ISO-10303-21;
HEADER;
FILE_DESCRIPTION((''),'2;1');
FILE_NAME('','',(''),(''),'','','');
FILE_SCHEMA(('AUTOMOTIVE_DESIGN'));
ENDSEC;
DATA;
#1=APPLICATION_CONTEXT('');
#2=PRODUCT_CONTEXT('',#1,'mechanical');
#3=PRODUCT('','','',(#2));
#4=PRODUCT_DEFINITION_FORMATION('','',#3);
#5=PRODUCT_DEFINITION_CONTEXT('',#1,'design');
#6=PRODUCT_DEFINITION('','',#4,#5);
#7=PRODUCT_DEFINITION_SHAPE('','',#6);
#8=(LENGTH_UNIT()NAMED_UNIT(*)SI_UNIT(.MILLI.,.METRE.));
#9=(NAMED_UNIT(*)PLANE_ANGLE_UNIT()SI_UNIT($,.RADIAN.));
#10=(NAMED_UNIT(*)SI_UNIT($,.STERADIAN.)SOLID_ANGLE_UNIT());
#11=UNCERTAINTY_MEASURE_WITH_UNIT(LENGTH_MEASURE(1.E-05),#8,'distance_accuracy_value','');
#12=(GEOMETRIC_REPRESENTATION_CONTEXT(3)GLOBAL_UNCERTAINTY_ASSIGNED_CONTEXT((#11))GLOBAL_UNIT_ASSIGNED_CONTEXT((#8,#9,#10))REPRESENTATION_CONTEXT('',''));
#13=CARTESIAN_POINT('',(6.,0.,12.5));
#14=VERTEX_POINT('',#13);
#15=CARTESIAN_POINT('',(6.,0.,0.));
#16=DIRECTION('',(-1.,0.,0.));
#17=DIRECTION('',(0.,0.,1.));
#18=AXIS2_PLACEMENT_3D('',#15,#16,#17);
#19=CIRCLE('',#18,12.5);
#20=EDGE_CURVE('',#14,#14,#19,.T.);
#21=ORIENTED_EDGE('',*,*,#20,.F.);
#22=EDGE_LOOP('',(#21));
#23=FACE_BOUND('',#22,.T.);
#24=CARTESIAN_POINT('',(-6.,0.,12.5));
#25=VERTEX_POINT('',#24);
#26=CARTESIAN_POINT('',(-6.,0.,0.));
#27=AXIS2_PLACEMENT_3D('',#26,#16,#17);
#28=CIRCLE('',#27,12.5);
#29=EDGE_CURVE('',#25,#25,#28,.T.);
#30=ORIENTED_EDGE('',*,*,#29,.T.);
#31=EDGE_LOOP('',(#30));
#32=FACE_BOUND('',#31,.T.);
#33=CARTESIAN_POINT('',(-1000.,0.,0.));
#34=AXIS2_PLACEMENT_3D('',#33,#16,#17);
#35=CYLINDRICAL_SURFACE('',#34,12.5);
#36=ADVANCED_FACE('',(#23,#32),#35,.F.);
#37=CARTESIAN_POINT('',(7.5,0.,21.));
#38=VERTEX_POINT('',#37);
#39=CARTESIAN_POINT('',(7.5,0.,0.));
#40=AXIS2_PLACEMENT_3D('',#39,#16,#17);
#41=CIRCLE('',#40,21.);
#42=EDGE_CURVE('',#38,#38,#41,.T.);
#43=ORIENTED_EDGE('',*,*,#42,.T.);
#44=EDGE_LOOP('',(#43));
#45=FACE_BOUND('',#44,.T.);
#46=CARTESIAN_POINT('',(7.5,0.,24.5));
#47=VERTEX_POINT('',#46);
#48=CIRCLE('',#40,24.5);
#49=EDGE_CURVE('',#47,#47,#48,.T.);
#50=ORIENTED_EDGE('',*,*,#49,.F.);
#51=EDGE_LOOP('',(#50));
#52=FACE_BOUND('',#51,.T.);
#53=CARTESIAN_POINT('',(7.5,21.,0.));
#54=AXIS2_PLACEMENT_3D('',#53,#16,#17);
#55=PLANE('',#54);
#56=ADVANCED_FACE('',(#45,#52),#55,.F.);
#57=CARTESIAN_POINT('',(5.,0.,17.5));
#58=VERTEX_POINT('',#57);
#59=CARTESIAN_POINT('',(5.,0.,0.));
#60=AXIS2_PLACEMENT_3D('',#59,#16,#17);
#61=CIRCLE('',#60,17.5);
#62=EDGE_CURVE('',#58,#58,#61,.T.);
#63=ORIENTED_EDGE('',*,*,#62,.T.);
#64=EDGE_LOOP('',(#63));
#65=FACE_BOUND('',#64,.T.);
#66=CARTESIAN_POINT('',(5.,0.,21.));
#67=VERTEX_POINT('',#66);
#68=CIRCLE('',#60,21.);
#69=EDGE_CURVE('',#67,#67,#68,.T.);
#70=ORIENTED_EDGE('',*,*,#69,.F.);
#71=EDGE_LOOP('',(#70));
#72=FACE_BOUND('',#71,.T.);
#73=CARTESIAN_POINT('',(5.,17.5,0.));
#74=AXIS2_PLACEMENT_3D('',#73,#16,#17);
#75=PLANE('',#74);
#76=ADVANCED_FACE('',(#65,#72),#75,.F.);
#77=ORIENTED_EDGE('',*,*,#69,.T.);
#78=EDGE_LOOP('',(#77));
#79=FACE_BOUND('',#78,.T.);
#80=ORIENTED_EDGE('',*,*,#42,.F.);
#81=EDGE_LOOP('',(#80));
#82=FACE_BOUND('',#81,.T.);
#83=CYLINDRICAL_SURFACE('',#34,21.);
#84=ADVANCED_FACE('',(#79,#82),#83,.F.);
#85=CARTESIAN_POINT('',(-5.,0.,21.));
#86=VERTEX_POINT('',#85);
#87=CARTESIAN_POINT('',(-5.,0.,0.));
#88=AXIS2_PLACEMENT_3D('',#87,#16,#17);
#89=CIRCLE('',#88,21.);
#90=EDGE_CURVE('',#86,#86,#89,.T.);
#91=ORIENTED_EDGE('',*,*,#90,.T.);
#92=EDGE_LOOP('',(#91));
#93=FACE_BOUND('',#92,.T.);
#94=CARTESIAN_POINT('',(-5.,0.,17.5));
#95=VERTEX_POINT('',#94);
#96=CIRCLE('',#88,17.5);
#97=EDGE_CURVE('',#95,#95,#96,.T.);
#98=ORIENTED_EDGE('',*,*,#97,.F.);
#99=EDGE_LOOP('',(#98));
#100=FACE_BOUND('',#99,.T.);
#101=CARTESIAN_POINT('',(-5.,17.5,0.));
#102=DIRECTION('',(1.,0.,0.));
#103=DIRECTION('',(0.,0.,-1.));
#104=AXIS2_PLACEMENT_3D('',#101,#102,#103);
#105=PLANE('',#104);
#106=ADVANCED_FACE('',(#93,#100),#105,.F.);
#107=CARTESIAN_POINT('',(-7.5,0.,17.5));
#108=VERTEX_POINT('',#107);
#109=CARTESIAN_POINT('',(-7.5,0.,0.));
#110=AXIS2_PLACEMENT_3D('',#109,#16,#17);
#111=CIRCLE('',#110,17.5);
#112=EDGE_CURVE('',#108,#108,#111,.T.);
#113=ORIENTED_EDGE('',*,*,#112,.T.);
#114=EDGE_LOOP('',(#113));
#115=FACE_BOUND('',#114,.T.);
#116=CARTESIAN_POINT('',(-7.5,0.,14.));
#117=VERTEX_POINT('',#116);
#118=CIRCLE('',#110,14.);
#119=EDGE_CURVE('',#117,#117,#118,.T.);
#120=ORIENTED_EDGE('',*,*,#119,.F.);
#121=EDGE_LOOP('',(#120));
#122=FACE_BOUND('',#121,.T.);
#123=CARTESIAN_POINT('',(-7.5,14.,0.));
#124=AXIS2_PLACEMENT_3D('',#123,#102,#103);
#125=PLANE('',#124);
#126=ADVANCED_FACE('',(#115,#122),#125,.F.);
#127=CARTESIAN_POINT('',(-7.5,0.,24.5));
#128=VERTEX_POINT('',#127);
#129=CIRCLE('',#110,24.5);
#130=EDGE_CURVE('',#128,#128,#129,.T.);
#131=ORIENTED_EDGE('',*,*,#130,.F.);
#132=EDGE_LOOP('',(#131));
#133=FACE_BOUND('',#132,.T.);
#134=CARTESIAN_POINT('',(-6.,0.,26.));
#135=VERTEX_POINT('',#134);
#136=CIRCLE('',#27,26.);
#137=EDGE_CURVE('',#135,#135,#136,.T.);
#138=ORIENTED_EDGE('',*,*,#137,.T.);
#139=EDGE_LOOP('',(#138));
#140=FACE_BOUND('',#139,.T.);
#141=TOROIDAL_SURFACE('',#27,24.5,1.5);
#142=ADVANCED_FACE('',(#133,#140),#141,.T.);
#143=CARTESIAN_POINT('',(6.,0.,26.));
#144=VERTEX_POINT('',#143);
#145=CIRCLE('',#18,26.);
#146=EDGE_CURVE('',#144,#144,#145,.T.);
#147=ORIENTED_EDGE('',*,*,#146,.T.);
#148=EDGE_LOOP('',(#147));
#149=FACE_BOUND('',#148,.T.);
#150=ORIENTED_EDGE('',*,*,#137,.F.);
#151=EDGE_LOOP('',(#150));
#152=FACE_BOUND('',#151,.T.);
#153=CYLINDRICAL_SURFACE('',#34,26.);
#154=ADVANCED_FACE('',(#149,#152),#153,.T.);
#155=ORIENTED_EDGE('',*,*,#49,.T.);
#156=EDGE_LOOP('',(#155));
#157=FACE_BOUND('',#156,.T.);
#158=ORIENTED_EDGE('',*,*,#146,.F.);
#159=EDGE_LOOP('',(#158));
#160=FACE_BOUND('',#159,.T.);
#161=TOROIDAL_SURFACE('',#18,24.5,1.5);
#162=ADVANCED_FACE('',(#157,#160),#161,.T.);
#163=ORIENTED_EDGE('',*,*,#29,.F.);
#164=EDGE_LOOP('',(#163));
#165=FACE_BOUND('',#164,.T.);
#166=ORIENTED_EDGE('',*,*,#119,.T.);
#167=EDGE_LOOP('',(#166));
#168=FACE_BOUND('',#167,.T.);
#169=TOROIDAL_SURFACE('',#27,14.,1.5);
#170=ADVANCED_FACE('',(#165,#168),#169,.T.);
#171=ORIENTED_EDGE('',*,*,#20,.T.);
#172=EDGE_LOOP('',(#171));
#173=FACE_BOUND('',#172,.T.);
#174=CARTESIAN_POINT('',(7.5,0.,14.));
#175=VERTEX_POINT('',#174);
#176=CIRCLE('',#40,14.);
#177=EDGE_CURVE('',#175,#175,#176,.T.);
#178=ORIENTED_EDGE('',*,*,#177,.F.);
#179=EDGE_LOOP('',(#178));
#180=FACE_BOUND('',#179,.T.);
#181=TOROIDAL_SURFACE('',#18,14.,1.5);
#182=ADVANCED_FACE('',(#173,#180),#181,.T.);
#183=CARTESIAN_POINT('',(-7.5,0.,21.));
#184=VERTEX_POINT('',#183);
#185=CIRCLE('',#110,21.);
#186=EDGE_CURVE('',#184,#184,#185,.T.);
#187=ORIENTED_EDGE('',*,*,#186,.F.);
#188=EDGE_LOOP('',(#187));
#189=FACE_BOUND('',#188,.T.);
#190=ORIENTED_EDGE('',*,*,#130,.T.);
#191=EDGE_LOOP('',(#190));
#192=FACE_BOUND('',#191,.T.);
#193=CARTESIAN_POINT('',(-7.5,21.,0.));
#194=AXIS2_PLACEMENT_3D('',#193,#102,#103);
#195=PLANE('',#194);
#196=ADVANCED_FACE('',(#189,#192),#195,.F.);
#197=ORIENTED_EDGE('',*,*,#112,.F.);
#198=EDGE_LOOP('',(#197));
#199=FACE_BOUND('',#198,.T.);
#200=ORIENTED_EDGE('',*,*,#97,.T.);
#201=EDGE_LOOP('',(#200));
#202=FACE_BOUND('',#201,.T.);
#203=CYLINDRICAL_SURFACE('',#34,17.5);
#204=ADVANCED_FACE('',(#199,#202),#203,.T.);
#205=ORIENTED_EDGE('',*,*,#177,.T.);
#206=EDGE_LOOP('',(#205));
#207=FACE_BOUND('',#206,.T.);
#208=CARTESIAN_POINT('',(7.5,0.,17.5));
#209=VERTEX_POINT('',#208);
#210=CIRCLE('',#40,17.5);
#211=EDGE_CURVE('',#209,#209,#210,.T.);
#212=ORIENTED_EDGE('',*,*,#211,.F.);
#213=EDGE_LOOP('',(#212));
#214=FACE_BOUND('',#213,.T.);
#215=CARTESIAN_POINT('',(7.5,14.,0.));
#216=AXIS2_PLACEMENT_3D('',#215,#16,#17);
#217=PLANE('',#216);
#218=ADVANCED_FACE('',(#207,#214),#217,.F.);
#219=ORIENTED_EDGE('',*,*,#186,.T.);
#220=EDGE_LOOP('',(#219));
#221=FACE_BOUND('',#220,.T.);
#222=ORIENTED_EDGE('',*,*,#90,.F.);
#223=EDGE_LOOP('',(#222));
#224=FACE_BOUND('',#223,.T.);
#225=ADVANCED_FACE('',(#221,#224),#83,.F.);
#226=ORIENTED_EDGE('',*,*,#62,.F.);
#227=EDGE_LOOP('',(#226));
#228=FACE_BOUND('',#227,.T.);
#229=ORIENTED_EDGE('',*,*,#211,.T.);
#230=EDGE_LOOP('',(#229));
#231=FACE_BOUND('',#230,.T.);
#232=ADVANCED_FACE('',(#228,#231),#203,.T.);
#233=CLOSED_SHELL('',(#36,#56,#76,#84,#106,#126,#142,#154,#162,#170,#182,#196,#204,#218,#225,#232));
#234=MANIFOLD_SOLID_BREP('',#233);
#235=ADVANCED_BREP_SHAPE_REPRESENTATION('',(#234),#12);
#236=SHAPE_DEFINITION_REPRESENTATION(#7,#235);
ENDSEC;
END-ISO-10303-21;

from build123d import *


with BuildPart() as part:
    # Эскиз1 → Повернуть1 (revolve)
    with BuildSketch(Plane.XY):
        with BuildLine():
            Line((6, 12.5), (-6, 12.5))
            ThreePointArc((-6, 12.5), (-7.060660172, 12.939339828), (-7.5, 14))
            Line((-7.5, 14), (-7.5, 17.5))
            Line((-7.5, 17.5), (-5, 17.5))
            Line((-5, 17.5), (-5, 21))
            Line((-5, 21), (-7.5, 21))
            Line((-7.5, 21), (-7.5, 24.5))
            ThreePointArc((-7.5, 24.5), (-7.060660172, 25.560660172), (-6, 26))
            Line((-6, 26), (6, 26))
            ThreePointArc((6, 26), (7.060660172, 25.560660172), (7.5, 24.5))
            Line((7.5, 24.5), (7.5, 21))
            Line((7.5, 21), (5, 21))
            Line((5, 21), (5, 17.5))
            Line((5, 17.5), (7.5, 17.5))
            Line((7.5, 17.5), (7.5, 14))
            ThreePointArc((7.5, 14), (7.060660172, 12.939339828), (6, 12.5))
        make_face()
    revolve(axis=Axis((-1000, 0, 0), (1, 0, 0)))


solid = part.part
